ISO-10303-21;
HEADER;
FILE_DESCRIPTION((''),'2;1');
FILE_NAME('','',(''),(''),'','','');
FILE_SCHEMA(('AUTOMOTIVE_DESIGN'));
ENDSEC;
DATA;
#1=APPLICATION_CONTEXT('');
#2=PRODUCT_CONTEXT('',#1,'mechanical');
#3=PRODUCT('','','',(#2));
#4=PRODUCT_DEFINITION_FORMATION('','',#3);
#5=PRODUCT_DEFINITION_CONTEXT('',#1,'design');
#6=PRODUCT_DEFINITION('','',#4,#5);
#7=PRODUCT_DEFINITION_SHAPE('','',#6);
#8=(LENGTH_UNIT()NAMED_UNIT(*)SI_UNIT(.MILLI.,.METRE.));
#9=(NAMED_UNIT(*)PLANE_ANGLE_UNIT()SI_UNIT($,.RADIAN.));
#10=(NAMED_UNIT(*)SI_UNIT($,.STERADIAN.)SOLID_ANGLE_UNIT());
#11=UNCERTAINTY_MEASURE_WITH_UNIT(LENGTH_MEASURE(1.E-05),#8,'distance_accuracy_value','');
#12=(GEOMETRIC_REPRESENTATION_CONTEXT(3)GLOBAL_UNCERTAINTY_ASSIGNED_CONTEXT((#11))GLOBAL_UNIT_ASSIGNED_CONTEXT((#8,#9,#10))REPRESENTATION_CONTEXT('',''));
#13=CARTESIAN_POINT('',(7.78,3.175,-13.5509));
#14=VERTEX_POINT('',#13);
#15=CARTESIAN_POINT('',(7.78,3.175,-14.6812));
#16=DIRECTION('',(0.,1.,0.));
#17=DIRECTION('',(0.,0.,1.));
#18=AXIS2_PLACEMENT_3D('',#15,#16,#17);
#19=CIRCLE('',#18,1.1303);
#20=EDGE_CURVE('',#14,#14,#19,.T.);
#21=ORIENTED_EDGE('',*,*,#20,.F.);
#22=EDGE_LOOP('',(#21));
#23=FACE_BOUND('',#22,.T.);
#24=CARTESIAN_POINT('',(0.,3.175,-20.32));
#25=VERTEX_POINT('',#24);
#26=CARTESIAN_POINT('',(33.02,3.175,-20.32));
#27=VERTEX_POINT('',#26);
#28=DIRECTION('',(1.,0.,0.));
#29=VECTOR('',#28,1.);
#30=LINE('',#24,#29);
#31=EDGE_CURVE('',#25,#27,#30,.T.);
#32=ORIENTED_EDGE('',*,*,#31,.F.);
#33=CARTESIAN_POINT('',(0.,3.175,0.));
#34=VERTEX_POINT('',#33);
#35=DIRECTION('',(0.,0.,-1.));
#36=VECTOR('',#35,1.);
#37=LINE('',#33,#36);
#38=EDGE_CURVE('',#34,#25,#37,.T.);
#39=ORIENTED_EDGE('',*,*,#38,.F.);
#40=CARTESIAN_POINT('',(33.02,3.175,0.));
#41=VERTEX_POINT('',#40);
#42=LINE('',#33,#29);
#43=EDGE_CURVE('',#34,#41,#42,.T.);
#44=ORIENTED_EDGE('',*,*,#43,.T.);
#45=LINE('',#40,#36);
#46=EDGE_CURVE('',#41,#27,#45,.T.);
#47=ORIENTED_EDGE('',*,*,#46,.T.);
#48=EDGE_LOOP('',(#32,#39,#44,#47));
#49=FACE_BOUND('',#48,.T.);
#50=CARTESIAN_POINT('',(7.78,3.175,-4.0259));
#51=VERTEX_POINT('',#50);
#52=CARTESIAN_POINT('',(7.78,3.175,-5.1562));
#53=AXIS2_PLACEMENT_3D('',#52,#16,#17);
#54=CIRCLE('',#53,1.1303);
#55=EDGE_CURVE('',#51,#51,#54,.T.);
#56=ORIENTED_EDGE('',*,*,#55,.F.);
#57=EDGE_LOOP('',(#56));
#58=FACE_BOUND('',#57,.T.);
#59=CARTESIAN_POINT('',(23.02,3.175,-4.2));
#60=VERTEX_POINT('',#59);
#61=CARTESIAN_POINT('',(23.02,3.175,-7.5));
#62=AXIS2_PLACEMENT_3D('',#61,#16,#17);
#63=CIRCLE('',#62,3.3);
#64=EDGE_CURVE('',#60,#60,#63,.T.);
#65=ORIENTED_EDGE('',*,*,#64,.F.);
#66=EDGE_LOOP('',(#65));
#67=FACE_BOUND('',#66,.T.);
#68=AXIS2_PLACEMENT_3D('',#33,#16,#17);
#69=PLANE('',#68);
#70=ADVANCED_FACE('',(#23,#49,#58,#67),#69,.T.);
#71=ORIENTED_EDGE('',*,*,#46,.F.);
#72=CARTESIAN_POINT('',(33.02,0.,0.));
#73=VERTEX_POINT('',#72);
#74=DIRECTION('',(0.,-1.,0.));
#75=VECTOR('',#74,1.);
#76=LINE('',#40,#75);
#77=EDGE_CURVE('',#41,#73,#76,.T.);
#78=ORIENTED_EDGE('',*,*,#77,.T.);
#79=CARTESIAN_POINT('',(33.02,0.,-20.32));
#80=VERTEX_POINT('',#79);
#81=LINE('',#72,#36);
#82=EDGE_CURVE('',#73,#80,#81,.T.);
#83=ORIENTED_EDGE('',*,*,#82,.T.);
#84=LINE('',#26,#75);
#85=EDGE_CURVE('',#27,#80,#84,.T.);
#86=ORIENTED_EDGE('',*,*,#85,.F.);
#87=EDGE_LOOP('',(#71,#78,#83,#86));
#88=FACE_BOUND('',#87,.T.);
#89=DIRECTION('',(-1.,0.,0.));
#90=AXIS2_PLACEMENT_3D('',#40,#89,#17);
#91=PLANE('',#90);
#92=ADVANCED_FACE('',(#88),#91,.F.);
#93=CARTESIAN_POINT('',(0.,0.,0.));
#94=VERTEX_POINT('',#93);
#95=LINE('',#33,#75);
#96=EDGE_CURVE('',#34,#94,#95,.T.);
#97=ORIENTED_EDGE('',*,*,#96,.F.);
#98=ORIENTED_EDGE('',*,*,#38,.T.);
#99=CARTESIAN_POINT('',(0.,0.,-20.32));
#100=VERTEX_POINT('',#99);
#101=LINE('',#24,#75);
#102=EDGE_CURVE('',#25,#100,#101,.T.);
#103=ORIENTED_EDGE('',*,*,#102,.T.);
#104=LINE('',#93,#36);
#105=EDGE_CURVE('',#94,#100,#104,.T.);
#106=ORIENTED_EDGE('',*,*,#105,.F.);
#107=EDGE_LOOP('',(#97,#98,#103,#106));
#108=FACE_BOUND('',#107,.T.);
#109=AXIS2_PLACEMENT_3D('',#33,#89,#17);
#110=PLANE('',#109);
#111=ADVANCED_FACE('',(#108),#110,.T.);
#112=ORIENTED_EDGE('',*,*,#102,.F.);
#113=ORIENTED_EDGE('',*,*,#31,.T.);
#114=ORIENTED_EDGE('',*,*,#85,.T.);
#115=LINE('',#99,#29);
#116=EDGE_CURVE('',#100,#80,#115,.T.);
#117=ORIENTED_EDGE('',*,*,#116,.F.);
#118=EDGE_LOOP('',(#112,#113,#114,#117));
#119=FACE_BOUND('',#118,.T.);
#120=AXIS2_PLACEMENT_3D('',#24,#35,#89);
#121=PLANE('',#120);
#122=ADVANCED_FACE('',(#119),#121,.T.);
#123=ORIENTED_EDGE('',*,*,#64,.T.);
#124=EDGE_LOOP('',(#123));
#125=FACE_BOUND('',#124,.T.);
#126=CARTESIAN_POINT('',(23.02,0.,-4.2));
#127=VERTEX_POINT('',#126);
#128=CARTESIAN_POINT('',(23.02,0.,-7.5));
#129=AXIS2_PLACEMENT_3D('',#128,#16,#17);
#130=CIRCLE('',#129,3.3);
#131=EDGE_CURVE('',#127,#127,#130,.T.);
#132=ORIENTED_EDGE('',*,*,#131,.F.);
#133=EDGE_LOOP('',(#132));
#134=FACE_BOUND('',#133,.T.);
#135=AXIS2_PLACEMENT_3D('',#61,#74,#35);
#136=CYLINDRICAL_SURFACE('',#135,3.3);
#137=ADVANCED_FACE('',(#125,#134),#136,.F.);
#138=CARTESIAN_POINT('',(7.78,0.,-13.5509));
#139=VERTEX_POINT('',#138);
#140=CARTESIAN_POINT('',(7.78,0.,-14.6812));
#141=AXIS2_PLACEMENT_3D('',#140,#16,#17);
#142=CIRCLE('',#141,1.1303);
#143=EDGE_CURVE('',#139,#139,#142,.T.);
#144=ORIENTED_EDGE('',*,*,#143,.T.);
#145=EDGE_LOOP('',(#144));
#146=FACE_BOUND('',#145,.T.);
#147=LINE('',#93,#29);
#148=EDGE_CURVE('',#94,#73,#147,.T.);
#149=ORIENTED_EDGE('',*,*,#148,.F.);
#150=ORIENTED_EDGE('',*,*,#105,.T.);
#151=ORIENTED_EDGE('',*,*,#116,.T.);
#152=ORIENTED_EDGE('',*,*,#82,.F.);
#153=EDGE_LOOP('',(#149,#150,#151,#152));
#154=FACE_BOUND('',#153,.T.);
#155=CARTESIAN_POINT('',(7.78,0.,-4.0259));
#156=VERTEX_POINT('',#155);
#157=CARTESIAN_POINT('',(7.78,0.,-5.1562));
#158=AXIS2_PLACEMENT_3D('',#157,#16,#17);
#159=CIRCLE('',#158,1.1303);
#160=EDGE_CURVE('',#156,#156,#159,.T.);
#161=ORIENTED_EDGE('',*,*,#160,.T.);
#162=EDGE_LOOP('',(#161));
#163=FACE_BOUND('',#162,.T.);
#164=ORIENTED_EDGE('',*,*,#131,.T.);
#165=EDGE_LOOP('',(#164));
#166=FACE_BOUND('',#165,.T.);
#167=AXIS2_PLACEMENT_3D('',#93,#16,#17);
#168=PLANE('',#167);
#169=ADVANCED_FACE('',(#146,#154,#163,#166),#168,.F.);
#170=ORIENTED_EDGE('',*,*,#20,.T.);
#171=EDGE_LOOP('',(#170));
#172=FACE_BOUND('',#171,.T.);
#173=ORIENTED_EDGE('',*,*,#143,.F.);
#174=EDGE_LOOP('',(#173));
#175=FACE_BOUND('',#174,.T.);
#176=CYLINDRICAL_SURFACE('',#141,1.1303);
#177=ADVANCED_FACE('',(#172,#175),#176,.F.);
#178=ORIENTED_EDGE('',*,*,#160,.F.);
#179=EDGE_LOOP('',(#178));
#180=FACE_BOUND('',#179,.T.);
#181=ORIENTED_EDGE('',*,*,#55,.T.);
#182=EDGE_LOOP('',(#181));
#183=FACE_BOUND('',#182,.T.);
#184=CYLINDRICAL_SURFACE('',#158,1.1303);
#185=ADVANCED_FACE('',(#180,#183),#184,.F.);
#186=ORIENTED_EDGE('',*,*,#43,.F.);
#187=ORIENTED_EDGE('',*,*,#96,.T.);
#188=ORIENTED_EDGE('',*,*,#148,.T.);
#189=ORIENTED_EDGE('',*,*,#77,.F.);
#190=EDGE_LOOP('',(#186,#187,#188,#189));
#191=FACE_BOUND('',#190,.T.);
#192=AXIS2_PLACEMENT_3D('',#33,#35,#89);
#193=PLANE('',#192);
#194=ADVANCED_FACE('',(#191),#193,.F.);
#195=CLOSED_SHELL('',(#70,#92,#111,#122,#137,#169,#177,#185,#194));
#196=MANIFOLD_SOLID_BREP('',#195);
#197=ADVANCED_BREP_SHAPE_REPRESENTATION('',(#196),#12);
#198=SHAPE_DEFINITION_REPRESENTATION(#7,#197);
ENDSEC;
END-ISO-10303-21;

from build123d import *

# Parameters (mm, degrees)
SKETCH1_W           = 33.02
SKETCH1_H           = 20.32
SKETCH1_R           = 3.3
BOSS_EXTRUDE1_DEPTH = 3.175
SKETCH2_R           = 1.1303
CUT_EXTRUDE1_DEPTH  = 39.901200817


with BuildPart() as part:
    # Sketch1 → Boss-Extrude1 (new body)
    with BuildSketch(Plane(origin=(0, 0, 0), x_dir=(1, 0, 0), z_dir=(0, 1, 0))):
        with Locations((16.51, 10.16)):
            Rectangle(SKETCH1_W, SKETCH1_H)
        with Locations(Location((23.02, 7.5, 0), (0, 0, 270))):
            Circle(SKETCH1_R, mode=Mode.SUBTRACT)
    extrude(amount=BOSS_EXTRUDE1_DEPTH)

    # Sketch2 → Cut-Extrude1 (cut, through all)
    with BuildSketch(Plane(origin=(0, 3.175, 0), x_dir=(1, 0, 0), z_dir=(0, 1, 0))):
        with Locations(Location((7.78, 5.1562, 0), (0, 0, 270))):
            Circle(SKETCH2_R)
        with Locations(Location((7.78, 14.6812, 0), (0, 0, 270))):
            Circle(SKETCH2_R)
    extrude(amount=-CUT_EXTRUDE1_DEPTH, mode=Mode.SUBTRACT)


solid = part.part
